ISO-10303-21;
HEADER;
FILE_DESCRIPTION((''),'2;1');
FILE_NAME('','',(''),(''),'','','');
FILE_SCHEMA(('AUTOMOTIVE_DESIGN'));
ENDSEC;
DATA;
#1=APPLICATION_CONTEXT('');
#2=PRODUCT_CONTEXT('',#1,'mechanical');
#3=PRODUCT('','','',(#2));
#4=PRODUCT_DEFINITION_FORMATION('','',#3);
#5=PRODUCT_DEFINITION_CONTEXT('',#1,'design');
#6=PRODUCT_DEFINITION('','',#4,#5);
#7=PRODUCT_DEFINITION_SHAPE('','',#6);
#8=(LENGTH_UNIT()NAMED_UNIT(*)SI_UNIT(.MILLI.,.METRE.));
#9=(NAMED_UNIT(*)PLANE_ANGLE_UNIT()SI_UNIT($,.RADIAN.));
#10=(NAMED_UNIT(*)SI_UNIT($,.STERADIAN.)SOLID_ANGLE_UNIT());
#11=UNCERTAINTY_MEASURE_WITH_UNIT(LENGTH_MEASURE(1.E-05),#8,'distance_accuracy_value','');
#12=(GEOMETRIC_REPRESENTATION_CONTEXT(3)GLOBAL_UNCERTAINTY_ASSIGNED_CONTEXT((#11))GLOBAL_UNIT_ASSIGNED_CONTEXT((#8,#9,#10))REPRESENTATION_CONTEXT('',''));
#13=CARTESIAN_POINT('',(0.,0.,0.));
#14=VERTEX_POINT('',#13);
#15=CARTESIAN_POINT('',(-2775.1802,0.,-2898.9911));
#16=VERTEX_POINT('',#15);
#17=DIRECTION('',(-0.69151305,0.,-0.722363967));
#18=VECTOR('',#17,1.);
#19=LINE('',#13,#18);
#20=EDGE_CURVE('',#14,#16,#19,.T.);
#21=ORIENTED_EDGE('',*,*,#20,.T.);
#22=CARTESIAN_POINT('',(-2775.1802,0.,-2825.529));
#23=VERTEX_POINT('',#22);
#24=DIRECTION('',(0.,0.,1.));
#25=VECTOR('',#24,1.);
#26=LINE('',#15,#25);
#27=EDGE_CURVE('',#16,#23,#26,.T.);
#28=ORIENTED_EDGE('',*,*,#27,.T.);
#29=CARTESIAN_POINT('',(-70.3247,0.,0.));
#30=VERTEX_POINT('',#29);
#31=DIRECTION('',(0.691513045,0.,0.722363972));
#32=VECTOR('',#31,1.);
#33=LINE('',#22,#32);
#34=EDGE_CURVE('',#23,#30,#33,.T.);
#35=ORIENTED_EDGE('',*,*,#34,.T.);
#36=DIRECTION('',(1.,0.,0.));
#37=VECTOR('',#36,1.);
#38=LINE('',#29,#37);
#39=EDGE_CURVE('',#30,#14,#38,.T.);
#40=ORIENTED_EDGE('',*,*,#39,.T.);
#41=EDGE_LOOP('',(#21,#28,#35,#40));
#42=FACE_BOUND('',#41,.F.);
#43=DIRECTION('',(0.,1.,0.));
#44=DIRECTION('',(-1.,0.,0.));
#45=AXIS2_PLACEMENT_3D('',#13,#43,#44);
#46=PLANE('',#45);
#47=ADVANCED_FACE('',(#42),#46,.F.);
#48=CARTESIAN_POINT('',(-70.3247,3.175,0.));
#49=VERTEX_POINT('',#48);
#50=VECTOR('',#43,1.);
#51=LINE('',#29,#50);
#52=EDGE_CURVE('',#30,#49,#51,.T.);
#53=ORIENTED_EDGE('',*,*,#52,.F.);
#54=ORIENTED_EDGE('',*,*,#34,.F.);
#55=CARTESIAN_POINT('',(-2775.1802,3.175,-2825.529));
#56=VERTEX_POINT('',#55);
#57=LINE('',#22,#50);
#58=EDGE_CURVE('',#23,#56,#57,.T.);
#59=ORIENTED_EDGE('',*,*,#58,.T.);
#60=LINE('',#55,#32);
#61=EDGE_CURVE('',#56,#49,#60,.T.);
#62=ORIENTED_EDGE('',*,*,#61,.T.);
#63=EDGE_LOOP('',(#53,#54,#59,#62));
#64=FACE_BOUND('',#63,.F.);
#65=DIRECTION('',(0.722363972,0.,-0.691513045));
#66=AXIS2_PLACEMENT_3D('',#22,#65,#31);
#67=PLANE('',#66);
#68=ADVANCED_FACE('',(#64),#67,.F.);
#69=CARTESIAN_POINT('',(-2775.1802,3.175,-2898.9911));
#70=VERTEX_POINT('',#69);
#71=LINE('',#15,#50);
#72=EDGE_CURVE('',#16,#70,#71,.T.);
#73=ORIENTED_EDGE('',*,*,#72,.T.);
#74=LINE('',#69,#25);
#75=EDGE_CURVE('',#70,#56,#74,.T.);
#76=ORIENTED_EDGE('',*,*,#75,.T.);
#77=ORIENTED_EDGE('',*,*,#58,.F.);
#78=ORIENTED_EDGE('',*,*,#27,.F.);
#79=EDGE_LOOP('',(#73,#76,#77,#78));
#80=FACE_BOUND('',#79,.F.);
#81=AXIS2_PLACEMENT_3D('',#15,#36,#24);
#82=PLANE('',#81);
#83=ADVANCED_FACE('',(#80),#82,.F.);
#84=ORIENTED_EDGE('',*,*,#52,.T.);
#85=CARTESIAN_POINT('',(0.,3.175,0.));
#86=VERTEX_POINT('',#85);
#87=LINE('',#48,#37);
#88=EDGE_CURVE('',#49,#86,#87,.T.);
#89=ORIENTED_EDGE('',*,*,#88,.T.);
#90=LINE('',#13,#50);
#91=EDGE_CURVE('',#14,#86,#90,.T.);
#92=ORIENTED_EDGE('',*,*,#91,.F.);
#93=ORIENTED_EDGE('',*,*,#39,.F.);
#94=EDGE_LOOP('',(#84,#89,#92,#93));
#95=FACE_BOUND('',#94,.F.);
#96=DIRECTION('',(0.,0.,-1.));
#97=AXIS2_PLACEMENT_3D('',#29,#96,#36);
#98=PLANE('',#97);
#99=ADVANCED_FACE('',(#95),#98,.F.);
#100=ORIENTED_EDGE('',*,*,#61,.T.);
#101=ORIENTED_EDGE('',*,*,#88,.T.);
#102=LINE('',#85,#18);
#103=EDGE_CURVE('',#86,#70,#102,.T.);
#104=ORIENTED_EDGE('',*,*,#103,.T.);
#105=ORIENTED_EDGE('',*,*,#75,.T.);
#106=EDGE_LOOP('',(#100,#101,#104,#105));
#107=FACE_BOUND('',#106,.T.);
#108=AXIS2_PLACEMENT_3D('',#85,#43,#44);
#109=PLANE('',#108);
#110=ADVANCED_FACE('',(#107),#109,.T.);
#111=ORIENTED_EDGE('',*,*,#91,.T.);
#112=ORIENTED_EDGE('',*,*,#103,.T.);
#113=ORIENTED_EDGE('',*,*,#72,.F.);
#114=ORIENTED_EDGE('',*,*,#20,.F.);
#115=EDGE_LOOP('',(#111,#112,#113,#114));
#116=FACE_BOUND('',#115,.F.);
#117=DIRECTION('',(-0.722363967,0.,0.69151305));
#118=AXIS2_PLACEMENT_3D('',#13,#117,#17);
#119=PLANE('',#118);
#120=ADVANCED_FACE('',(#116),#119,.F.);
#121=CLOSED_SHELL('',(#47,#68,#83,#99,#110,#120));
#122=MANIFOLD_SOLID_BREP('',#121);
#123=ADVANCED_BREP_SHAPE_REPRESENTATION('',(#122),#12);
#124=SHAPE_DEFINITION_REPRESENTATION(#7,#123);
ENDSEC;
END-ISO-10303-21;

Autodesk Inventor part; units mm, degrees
ref_plane "YZ Plane" through (0, 0, 0) normal (1, 0, 0) x (0, 1, 0)
ref_plane "XZ Plane" through (0, 0, 0) normal (0, 1, 0) x (-1, 0, 0)
ref_plane "XY Plane" through (0, 0, 0) normal (0, 0, 1) x (1, 0, 0)
sketch "Sketch2" plane through (0, 0, 0) normal (0, 1, 0) x (-1, 0, 0)
  line L0 (0, 0) -> (2775.1802, -2898.9911)
  line L1 (2775.1802, -2898.9911) -> (2775.1802, -2825.529)
  line L2 (2775.1802, -2825.529) -> (70.3247, 0)
  line L3 (70.3247, 0) -> (0, 0)
  dimension "d12" = 50.8
  dimension "d13" = 136.25
  dimension "d14" = 4013.2
extrude "Extrusion3" add sketch "Sketch2" along normal blind 3.175
properties part number "FE-00040-07_2_Blue"
